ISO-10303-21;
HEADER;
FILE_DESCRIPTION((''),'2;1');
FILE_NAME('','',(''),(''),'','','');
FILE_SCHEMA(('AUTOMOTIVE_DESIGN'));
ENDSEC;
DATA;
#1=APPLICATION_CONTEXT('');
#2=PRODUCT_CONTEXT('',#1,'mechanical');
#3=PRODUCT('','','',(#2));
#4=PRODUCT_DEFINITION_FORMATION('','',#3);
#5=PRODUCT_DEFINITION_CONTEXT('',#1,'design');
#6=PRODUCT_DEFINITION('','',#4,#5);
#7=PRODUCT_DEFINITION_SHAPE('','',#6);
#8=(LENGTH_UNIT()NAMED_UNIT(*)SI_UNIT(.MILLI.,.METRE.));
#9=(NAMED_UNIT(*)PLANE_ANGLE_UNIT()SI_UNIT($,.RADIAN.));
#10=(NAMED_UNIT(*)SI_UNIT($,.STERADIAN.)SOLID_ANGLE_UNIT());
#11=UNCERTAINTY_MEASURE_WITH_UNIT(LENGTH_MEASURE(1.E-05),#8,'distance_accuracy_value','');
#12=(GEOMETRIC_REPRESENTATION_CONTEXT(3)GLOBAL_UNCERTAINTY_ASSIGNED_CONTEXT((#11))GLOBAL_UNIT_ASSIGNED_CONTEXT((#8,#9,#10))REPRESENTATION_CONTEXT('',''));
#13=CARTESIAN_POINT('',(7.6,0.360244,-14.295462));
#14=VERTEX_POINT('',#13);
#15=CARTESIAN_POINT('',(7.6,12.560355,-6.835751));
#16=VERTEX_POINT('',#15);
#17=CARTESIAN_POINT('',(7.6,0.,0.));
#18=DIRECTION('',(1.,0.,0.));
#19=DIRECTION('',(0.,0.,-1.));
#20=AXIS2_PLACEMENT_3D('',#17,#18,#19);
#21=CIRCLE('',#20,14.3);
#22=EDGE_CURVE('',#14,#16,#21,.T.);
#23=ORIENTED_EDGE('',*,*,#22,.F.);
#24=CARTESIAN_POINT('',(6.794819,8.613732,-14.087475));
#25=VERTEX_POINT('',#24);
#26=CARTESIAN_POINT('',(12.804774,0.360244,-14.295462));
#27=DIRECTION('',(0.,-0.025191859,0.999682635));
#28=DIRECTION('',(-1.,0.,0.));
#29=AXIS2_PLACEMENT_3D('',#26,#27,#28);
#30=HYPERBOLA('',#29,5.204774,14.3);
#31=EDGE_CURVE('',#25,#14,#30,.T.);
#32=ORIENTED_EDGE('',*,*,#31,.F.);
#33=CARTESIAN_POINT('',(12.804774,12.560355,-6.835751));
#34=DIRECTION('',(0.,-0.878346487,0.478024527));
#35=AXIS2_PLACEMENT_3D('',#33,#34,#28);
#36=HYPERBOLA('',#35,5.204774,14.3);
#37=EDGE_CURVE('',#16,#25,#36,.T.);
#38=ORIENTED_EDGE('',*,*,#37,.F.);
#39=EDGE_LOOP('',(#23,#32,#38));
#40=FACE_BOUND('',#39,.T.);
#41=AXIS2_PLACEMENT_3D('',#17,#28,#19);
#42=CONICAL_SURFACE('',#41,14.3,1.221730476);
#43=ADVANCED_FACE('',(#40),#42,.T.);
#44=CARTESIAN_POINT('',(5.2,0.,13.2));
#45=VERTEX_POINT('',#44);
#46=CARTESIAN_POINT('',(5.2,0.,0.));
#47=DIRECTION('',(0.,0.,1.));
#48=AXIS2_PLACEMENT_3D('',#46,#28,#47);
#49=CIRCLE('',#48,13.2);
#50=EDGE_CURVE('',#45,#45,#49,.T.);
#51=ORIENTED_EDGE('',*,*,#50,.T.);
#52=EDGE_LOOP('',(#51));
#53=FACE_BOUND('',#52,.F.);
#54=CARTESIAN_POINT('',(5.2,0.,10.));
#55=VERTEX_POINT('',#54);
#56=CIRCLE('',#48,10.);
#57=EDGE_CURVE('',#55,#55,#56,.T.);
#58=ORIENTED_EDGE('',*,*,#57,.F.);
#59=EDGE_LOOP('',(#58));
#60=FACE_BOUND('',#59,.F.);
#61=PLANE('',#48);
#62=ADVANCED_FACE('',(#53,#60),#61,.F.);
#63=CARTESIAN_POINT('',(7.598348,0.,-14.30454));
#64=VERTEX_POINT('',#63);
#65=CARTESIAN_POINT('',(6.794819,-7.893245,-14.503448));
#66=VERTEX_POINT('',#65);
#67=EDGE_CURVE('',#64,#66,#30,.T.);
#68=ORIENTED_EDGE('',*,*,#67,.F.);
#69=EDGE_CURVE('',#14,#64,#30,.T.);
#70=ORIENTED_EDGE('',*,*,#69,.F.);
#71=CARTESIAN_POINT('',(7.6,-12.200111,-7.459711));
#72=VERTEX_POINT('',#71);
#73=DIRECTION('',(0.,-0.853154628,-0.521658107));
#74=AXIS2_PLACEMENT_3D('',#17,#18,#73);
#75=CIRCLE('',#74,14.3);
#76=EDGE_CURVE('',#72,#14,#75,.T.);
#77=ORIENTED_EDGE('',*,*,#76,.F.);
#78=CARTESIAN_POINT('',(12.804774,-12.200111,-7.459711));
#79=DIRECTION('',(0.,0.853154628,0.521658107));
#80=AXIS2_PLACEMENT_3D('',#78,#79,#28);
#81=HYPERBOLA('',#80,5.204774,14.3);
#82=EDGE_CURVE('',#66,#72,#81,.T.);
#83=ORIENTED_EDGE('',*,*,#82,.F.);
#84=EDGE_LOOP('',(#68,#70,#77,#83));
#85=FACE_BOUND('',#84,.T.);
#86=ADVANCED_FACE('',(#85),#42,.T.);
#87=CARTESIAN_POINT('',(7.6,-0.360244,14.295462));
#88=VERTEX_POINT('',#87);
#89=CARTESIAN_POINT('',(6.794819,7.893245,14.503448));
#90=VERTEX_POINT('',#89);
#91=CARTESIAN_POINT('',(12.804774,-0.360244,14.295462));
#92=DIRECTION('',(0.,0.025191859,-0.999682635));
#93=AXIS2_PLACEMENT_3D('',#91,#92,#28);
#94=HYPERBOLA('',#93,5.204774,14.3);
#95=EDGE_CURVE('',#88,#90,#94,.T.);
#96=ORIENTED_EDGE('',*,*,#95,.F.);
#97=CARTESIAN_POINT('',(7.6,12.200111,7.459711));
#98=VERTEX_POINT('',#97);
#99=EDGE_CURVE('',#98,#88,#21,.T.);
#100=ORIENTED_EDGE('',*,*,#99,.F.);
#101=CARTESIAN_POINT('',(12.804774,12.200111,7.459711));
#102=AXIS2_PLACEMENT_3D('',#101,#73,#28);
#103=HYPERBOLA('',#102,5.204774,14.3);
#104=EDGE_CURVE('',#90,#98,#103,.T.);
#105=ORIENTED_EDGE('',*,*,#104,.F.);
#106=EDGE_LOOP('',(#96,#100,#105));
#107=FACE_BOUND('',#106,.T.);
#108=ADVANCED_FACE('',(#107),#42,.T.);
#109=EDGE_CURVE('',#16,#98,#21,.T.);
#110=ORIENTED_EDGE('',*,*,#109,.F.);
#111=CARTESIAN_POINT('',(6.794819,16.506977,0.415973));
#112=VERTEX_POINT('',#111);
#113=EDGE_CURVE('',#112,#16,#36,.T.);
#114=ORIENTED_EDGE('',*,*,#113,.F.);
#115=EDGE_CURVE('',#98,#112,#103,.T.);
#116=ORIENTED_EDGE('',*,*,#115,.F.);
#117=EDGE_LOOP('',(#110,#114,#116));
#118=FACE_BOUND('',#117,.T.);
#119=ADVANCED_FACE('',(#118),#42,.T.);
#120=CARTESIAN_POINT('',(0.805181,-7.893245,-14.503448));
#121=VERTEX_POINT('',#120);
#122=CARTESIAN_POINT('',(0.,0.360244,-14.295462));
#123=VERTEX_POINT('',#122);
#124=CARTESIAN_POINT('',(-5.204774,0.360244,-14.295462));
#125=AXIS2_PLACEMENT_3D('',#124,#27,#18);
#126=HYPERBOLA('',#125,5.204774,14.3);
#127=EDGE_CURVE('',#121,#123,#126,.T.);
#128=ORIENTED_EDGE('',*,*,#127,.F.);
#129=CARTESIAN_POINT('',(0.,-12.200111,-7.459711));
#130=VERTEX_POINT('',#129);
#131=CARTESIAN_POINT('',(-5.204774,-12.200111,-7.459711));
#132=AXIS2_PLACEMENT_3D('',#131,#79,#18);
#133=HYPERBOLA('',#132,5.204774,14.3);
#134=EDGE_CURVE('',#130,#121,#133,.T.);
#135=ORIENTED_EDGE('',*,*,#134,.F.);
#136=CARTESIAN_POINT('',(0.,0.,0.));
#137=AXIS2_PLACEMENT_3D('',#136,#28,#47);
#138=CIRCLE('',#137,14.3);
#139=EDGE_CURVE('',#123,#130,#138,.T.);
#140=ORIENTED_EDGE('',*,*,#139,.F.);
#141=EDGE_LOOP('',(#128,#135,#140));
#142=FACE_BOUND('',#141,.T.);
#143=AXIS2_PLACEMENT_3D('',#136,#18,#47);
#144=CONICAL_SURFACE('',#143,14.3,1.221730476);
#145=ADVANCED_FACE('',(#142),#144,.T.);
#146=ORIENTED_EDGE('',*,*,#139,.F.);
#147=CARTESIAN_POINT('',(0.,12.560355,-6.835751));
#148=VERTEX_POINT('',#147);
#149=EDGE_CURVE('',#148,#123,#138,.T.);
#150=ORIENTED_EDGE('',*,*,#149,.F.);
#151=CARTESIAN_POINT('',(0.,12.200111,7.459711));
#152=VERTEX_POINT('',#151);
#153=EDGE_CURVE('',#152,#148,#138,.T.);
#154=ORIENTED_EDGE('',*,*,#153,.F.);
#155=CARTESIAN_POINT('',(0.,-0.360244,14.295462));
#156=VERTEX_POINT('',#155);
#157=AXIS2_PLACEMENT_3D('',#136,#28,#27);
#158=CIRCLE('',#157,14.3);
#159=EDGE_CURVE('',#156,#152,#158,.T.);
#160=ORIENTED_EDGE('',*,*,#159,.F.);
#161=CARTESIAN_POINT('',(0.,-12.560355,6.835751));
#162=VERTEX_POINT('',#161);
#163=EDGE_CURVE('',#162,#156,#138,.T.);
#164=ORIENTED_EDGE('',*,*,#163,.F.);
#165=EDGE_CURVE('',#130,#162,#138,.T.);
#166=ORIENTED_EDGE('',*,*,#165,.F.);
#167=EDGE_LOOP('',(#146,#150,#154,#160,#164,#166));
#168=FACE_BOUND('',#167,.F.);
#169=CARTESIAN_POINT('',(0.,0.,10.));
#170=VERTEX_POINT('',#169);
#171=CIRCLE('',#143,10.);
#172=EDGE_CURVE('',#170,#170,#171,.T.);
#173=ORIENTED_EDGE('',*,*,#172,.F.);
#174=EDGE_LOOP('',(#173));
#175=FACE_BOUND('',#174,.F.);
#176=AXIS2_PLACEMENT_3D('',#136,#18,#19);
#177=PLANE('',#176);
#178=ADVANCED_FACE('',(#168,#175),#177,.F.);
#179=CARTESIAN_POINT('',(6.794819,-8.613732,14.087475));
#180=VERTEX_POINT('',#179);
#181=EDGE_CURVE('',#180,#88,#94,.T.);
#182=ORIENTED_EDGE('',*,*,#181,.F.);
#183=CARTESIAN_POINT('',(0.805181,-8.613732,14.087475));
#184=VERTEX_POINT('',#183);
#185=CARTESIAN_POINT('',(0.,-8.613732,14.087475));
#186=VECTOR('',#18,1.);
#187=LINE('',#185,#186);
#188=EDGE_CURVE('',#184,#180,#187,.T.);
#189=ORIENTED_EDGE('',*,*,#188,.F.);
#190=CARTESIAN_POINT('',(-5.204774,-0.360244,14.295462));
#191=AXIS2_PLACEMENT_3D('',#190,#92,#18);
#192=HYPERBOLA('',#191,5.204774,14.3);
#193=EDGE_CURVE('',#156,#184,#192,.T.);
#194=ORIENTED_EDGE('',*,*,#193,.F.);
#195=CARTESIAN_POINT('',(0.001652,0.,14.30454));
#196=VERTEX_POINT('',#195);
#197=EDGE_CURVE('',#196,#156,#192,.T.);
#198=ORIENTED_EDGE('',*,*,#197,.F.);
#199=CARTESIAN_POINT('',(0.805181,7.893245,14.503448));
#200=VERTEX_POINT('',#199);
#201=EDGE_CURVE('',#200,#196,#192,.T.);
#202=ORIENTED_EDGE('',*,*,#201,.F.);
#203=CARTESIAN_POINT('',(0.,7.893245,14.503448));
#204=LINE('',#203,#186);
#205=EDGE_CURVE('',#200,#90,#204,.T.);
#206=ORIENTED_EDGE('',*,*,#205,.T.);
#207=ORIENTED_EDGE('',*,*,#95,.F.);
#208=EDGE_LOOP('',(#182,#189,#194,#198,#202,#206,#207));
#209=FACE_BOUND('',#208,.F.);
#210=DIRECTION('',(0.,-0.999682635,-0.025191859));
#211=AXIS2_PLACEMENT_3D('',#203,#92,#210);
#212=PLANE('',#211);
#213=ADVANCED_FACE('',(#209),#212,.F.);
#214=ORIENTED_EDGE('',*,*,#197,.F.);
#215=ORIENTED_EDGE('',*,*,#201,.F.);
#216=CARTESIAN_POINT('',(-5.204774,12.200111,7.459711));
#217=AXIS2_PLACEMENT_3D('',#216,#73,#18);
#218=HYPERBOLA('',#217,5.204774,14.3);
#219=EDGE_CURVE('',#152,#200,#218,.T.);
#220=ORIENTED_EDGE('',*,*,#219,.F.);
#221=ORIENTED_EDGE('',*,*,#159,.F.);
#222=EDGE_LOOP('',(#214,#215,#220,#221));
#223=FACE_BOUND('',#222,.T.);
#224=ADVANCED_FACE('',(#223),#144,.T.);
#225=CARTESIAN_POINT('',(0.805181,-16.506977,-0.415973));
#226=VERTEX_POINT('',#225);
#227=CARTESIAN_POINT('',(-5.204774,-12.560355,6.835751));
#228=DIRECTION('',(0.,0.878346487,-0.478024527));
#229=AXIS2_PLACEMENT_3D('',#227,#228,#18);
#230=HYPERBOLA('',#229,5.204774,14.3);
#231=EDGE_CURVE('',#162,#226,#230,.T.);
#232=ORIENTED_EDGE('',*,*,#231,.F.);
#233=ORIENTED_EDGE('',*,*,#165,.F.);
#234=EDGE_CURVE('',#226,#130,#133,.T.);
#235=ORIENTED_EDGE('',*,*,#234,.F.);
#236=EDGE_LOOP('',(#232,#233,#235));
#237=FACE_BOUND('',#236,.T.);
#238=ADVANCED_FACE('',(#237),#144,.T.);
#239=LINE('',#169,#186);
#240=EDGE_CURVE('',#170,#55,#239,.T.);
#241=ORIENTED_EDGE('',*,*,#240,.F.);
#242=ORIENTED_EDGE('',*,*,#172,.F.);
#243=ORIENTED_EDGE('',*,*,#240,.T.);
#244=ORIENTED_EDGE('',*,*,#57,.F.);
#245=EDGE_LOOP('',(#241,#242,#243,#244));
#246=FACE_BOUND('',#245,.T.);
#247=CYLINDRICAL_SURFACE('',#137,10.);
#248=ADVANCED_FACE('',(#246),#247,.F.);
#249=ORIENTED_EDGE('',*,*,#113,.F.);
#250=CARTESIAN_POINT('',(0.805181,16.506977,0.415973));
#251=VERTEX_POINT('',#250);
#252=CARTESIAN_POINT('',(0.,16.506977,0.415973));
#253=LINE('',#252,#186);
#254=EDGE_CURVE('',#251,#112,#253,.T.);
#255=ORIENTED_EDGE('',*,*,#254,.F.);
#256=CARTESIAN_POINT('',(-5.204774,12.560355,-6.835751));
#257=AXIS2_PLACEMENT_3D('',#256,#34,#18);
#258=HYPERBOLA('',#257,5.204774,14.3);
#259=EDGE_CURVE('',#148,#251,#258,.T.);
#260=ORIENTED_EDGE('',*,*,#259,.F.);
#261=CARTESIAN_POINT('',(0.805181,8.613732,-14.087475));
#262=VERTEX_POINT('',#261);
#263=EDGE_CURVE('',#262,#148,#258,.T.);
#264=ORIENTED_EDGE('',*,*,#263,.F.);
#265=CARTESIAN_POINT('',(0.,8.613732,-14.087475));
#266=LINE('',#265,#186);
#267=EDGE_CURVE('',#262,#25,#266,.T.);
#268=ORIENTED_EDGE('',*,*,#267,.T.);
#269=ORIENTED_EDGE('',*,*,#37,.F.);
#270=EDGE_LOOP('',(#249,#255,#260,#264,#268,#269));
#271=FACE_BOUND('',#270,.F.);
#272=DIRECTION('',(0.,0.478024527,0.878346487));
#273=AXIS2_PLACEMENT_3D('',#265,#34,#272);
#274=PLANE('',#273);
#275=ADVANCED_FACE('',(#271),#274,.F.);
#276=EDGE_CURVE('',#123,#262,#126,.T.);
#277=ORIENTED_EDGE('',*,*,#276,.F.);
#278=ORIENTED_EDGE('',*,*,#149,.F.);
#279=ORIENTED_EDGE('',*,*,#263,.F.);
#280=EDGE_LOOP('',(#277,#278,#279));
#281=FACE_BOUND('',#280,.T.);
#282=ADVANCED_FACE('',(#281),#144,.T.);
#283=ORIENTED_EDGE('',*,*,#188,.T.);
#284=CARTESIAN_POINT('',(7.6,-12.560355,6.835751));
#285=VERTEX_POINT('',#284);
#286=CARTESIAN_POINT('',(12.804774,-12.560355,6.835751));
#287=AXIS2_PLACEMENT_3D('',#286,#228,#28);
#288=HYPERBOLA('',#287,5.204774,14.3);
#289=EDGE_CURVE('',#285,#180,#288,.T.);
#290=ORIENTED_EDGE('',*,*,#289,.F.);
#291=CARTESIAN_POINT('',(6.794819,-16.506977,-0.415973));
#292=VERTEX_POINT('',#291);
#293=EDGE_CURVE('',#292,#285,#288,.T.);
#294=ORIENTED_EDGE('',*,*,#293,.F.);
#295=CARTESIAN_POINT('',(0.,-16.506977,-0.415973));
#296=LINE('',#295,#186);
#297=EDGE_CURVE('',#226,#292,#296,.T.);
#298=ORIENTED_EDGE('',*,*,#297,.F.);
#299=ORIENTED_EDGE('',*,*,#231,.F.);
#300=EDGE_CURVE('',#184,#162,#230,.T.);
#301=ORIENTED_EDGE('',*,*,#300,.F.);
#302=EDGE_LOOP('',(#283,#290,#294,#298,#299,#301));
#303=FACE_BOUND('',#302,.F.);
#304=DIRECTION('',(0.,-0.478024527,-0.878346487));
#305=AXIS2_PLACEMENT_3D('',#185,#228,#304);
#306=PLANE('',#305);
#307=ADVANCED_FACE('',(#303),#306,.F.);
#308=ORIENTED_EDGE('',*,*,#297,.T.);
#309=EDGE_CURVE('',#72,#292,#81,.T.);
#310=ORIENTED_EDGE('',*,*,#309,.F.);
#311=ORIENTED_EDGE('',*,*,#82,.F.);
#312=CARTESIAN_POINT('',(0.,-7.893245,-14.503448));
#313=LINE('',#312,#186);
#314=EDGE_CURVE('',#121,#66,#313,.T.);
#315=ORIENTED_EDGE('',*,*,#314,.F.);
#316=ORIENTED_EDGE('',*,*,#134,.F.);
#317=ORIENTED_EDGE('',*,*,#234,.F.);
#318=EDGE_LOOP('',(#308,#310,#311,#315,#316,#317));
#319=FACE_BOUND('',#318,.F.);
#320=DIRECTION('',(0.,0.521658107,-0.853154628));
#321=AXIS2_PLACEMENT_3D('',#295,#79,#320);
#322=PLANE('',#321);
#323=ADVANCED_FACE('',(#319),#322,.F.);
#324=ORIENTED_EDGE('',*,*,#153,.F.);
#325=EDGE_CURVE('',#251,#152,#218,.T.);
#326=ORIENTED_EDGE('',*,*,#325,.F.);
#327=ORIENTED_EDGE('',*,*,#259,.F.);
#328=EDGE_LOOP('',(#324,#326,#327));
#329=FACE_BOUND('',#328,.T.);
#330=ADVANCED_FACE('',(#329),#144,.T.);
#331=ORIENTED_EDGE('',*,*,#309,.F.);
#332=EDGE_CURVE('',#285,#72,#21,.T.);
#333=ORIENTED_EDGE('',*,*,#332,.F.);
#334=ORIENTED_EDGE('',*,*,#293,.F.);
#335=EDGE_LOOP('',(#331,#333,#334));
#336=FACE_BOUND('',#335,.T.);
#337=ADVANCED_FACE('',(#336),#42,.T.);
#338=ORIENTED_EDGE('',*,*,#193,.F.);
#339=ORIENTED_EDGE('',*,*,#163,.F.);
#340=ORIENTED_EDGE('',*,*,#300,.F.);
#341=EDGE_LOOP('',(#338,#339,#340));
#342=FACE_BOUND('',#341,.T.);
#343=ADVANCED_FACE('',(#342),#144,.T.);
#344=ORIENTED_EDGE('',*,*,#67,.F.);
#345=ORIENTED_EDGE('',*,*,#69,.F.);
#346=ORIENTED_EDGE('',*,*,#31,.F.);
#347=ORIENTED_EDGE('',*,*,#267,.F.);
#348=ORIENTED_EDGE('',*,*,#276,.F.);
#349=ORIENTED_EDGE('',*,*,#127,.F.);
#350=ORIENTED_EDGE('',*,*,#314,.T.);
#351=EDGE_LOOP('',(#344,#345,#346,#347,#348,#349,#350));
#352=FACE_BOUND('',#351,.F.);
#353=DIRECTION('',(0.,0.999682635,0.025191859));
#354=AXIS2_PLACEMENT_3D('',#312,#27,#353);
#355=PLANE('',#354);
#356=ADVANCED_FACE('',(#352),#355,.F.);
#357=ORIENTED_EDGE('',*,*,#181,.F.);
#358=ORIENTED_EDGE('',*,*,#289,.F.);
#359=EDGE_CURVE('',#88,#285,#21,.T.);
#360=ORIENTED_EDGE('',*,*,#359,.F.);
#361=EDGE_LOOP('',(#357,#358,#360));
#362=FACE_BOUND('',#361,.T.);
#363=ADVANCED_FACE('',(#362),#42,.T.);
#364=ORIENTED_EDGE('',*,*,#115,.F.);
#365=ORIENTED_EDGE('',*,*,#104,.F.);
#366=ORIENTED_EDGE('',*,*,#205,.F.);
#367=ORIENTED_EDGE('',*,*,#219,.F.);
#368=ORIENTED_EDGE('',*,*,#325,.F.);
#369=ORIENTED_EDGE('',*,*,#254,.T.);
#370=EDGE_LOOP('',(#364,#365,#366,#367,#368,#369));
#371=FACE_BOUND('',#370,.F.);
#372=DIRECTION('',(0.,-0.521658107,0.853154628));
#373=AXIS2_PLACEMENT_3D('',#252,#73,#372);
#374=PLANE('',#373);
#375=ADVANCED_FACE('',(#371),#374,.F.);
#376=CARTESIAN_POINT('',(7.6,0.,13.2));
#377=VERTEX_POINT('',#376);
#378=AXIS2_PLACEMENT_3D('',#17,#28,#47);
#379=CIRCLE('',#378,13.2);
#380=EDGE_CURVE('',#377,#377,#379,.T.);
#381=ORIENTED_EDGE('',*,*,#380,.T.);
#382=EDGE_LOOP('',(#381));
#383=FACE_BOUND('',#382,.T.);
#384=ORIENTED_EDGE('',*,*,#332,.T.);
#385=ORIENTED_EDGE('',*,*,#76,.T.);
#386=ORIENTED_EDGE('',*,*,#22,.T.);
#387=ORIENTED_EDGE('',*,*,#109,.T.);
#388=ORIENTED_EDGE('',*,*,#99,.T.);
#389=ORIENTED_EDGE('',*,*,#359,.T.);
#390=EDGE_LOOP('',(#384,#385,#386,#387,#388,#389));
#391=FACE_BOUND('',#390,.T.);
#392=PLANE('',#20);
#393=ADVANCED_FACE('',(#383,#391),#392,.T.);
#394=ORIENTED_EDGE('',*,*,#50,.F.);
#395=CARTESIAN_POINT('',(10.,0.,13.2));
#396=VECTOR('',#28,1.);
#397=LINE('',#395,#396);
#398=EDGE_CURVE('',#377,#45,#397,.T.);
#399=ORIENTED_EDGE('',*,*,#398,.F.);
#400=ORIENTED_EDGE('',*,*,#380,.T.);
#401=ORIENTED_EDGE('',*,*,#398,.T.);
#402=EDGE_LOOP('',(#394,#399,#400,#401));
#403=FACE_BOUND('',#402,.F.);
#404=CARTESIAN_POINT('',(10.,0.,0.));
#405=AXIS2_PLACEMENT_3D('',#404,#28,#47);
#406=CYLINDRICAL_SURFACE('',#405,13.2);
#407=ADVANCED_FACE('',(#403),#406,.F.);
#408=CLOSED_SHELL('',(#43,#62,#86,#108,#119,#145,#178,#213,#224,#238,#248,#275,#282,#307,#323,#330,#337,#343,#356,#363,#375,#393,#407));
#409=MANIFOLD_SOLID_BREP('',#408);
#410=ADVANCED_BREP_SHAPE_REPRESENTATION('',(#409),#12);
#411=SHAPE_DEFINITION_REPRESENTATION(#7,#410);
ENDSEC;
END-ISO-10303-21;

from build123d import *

# Parameters (mm, degrees)
ESBO_O1_R                = 10
RESSALTO_EXTRUS_O1_DEPTH = 7.6
FURO1_D                  = 26.4
FURO1_DEPTH              = 2.4
ESBO_O7_OUTSIDE_W        = 111.36
ESBO_O7_OUTSIDE_H        = 115.368
ESBO_O7_OUTSIDE_R        = 14.3
CORTE_EXTRUS_O1_DEPTH    = 13
CORTE_EXTRUS_O1_DRAFT    = -70
ESBO_O8_OUTSIDE_W        = 111.36
ESBO_O8_OUTSIDE_H        = 115.368
ESBO_O8_OUTSIDE_R        = 14.3
CORTE_EXTRUS_O2_DEPTH    = 13
CORTE_EXTRUS_O2_DRAFT    = -70


with BuildPart() as part:
    # Esboço1 → Ressalto-extrusão1 (new body)
    with BuildSketch(Plane(origin=(0, 0, 0), x_dir=(0, 0, -1), z_dir=(1, 0, 0))):
        Polygon((14.087474947, 8.613732232), (-0.415973461, 16.506977295), (-14.503448407, 7.893245063), (-14.087474947, -8.613732232), (0.415973461, -16.506977295), (14.503448407, -7.893245063), align=None)
        with Locations(Location((0, 0, 0), (0, 0, 180))):
            Circle(ESBO_O1_R, mode=Mode.SUBTRACT)
    extrude(amount=RESSALTO_EXTRUS_O1_DEPTH)

    # Furo1
    with Locations(Plane(origin=(7.6, 0, 0), x_dir=(0, 0, -1), z_dir=(1, 0, 0))):
        with Locations((0, 0)):
            Hole(FURO1_D / 2, depth=FURO1_DEPTH)


with BuildPart() as corte_extrus_o1_tool:
    # Esboço7 outside → Corte-extrusão1 (with draft: the straight prism first)
    with BuildSketch(Plane(origin=(7.6, 0, 0), x_dir=(0, 0, -1), z_dir=(1, 0, 0))):
        Rectangle(ESBO_O7_OUTSIDE_W, ESBO_O7_OUTSIDE_H)
        Circle(ESBO_O7_OUTSIDE_R, mode=Mode.SUBTRACT)
    extrude(amount=-CORTE_EXTRUS_O1_DEPTH)
    # Corte-extrusão1: the draft: its side faces are tilted about the plane it starts from
    corte_extrus_o1_sides = [corte_extrus_o1_tool.faces().sort_by_distance(p)[0] for p in [
        (1.1, -57.684, 0),
        (1.1, 0, -55.68),
        (1.1, 57.684, 0),
        (1.1, 0, 55.68),
        (1.1, 0, 14.3),
    ]]
    draft(corte_extrus_o1_sides, Plane(origin=(7.6, 0, 0), x_dir=(0, 0, -1), z_dir=(1, 0, 0)), CORTE_EXTRUS_O1_DRAFT)


with BuildPart() as part_1:
    add(part.part)

    # Corte-extrusão1: cut by corte_extrus_o1_tool
    add(corte_extrus_o1_tool.part, mode=Mode.SUBTRACT)


with BuildPart() as corte_extrus_o2_tool:
    # Esboço8 outside → Corte-extrusão2 (with draft: the straight prism first)
    with BuildSketch(Plane.ZY):
        Rectangle(ESBO_O8_OUTSIDE_W, ESBO_O8_OUTSIDE_H)
        Circle(ESBO_O8_OUTSIDE_R, mode=Mode.SUBTRACT)
    extrude(amount=-CORTE_EXTRUS_O2_DEPTH)
    # Corte-extrusão2: the draft: its side faces are tilted about the plane it starts from
    corte_extrus_o2_sides = [corte_extrus_o2_tool.faces().sort_by_distance(p)[0] for p in [
        (6.5, -57.684, 0),
        (6.5, 0, 55.68),
        (6.5, 57.684, 0),
        (6.5, 0, -55.68),
        (6.5, 0, -14.3),
    ]]
    draft(corte_extrus_o2_sides, Plane.ZY, CORTE_EXTRUS_O2_DRAFT)


with BuildPart() as part_2:
    add(part_1.part)

    # Corte-extrusão2: cut by corte_extrus_o2_tool
    add(corte_extrus_o2_tool.part, mode=Mode.SUBTRACT)


solid = part_2.part
